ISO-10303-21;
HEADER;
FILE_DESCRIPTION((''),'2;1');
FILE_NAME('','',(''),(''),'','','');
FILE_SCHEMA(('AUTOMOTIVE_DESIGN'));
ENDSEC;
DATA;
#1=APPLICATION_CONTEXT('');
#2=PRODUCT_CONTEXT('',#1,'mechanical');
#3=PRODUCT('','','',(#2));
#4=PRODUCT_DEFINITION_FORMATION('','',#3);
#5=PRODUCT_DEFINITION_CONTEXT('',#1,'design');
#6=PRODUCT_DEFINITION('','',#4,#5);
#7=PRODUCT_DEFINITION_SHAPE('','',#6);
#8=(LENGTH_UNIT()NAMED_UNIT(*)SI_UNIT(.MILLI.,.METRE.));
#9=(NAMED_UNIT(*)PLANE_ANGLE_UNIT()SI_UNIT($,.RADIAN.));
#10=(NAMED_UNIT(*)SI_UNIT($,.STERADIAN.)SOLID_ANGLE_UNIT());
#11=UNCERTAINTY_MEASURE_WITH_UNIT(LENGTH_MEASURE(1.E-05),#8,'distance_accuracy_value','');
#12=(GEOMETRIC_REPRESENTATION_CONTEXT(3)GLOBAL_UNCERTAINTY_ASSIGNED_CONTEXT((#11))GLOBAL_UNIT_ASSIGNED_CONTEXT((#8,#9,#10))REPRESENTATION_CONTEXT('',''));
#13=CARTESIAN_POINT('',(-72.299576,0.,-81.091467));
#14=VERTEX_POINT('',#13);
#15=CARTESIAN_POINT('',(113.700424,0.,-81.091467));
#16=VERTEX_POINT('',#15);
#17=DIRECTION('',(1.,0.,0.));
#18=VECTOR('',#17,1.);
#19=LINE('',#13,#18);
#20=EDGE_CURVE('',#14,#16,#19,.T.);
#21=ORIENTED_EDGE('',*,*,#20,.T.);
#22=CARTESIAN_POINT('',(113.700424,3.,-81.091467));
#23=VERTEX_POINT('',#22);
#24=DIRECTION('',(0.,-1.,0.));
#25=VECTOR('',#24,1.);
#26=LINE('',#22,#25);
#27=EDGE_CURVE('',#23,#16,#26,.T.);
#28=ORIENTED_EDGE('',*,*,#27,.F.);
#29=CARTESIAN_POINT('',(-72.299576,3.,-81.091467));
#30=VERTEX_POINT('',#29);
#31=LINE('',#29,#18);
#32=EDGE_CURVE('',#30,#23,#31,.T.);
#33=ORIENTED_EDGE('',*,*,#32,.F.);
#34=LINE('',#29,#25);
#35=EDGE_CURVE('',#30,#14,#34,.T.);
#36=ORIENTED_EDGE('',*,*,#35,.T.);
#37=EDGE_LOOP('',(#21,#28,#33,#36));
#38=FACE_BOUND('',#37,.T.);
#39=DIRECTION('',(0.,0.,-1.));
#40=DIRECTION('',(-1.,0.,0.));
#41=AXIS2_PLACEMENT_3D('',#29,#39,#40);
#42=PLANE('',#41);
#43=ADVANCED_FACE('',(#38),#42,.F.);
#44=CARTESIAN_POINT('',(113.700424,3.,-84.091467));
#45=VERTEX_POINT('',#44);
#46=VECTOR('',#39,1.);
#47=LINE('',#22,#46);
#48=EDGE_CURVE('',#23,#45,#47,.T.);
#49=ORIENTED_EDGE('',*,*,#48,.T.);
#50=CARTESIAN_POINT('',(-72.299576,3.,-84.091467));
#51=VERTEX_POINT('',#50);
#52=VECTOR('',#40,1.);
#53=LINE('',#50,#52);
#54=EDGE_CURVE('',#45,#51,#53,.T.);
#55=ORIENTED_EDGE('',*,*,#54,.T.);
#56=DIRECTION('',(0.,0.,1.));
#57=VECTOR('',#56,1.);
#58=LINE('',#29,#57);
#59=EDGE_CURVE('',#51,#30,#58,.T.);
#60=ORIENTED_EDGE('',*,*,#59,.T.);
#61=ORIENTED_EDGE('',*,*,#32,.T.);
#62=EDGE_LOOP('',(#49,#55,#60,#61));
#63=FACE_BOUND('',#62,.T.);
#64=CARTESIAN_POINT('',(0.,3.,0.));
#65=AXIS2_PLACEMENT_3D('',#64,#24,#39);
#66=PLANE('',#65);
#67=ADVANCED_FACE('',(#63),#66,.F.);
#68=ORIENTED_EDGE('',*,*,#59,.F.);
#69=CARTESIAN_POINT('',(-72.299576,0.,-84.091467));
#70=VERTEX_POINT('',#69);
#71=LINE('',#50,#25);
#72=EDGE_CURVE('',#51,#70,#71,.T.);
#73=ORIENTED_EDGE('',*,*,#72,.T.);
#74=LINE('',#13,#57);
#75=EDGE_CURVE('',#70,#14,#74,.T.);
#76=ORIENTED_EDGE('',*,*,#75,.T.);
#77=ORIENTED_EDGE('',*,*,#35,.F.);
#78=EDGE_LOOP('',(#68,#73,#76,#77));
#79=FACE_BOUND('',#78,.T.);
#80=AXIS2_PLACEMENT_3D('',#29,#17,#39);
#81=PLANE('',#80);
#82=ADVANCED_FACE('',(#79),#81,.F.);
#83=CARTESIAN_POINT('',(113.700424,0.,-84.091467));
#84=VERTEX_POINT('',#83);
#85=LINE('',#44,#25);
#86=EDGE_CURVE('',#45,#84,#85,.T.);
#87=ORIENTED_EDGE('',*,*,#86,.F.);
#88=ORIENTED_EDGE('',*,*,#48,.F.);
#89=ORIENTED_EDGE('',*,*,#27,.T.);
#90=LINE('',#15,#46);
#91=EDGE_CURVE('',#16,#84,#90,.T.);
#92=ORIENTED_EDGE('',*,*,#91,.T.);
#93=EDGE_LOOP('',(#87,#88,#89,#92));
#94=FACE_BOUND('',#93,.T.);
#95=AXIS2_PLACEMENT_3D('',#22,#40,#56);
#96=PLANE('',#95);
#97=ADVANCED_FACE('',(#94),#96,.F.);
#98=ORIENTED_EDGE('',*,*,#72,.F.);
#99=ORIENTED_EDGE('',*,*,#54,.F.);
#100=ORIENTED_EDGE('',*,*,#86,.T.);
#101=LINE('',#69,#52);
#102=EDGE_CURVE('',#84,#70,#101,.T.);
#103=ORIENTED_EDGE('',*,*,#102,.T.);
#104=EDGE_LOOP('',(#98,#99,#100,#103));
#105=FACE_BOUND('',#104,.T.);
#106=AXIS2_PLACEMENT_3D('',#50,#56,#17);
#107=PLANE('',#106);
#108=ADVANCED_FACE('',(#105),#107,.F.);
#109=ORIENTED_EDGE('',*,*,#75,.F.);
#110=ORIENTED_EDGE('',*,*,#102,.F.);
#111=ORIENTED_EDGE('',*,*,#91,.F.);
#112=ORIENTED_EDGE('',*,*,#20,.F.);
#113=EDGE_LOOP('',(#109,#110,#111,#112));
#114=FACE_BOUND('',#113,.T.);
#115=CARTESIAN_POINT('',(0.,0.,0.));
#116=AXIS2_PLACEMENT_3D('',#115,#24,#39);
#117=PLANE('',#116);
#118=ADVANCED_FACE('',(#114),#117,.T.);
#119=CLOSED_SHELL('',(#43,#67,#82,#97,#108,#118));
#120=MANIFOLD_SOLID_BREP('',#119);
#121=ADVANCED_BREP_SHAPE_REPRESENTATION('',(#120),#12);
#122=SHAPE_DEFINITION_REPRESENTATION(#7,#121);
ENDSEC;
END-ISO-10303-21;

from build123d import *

# Parameters (mm, degrees)
SKETCH1_W           = 186
SKETCH1_H           = 3
BOSS_EXTRUDE1_DEPTH = 3


with BuildPart() as part:
    # Sketch1 → Boss-Extrude1 (new body)
    with BuildSketch(Plane(origin=(0, 0, 0), x_dir=(1, 0, 0), z_dir=(0, 1, 0))):
        with Locations((20.700424095, 82.591467185)):
            Rectangle(SKETCH1_W, SKETCH1_H)
    extrude(amount=BOSS_EXTRUDE1_DEPTH)


solid = part.part
